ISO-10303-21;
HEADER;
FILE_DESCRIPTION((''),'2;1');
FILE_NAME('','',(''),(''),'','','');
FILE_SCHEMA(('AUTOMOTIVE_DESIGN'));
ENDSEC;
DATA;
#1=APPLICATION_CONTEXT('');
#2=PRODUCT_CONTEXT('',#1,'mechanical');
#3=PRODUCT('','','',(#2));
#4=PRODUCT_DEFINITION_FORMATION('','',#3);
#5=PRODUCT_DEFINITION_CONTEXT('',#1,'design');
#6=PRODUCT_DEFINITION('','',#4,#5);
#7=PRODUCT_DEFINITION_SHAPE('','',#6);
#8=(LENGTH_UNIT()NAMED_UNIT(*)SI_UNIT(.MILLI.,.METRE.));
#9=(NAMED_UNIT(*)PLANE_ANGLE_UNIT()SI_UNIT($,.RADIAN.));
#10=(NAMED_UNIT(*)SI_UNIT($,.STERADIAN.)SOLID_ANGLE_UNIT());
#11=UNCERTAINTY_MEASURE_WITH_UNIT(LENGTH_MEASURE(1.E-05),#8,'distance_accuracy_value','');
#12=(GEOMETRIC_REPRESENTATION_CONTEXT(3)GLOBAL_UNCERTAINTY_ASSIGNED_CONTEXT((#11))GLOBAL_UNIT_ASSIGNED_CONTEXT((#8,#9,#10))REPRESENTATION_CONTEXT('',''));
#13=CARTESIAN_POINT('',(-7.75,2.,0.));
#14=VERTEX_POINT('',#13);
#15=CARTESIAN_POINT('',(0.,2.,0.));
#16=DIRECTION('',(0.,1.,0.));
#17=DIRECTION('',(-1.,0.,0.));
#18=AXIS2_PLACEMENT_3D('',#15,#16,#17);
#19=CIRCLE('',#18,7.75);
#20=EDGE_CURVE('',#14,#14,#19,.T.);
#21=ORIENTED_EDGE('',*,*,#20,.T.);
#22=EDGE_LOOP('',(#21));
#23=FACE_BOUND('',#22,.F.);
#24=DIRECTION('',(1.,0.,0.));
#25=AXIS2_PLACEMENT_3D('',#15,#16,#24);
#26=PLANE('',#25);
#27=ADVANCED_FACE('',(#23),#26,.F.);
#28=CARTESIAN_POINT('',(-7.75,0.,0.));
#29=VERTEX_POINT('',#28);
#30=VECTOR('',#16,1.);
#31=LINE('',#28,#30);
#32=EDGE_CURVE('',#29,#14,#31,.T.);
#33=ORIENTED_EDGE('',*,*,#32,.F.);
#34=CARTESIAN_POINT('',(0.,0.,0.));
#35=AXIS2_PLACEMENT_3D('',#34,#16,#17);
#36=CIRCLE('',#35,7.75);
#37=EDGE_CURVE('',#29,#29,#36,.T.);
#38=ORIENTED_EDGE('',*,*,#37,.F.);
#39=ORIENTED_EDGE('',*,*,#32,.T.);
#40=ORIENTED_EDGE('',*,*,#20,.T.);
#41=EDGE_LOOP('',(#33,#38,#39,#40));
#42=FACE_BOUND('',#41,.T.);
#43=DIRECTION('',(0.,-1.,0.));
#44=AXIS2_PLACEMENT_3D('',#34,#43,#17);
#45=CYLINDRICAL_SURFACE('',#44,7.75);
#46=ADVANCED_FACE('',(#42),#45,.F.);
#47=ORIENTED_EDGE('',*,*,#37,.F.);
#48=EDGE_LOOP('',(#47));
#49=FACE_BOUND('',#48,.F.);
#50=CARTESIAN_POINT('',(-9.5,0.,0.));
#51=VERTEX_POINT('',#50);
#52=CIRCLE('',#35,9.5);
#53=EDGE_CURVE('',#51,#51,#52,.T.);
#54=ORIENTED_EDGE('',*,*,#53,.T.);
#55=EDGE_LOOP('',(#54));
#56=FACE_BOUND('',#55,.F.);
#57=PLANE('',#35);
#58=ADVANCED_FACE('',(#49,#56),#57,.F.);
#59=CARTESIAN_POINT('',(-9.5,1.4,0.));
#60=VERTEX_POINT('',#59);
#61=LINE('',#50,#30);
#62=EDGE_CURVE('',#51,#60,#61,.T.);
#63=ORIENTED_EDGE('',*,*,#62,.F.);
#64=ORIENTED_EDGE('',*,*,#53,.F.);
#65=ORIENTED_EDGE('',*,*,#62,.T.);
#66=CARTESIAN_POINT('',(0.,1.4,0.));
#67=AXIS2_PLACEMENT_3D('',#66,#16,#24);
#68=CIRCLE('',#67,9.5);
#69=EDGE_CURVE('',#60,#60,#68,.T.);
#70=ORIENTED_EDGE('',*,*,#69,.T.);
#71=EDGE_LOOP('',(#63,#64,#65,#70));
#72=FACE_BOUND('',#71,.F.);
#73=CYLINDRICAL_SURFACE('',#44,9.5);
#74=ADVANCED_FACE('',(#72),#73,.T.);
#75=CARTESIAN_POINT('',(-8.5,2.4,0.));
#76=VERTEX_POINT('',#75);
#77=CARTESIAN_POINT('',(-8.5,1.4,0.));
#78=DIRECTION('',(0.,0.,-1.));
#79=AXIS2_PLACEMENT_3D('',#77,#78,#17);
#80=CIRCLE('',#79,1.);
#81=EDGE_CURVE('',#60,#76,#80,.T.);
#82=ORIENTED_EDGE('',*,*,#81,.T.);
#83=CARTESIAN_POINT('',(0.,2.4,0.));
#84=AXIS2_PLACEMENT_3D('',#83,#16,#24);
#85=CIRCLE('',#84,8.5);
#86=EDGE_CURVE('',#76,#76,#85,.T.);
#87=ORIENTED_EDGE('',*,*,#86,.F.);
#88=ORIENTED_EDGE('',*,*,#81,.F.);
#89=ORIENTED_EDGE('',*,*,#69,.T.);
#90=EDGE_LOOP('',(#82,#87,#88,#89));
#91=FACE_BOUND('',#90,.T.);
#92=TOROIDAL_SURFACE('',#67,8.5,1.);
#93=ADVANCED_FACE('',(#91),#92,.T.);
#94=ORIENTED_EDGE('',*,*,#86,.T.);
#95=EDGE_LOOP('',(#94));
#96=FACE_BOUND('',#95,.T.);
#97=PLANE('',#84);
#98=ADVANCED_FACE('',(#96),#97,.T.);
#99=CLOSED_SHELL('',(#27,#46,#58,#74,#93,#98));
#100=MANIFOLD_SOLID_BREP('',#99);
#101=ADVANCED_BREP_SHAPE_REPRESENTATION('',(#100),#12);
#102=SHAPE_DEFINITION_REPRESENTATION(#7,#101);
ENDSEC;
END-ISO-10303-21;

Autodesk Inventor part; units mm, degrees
ref_plane "YZ Plane" through (0, 0, 0) normal (1, 0, 0) x (0, 1, 0)
ref_plane "XZ Plane" through (0, 0, 0) normal (0, 1, 0) x (-1, 0, 0)
ref_plane "XY Plane" through (0, 0, 0) normal (0, 0, 1) x (1, 0, 0)
sketch "Эскиз1" plane through (0, 0, 0) normal (0, 1, 0) x (-1, 0, 0)
  circle A0 centre (0, 0) radius 9.5
  circle A1 centre (0, 0) radius 7.75
  dimension "d0" = 19
  dimension "d1" = 15.5
extrude "Выдавливание1" add sketch "Эскиз1" along normal blind 2
sketch "Эскиз2" plane through (0, 2, 0) normal (0, 1, 0) x (1, 0, 0)
  circle A0 centre (0, 0) radius 9.5 projected
extrude "Выдавливание2" add sketch "Эскиз2" along normal blind 0.4
fillet "Сопряжение1" radius 1 1 edges at (-9.5, 2.4, 0)
properties part number "derz magnit"
